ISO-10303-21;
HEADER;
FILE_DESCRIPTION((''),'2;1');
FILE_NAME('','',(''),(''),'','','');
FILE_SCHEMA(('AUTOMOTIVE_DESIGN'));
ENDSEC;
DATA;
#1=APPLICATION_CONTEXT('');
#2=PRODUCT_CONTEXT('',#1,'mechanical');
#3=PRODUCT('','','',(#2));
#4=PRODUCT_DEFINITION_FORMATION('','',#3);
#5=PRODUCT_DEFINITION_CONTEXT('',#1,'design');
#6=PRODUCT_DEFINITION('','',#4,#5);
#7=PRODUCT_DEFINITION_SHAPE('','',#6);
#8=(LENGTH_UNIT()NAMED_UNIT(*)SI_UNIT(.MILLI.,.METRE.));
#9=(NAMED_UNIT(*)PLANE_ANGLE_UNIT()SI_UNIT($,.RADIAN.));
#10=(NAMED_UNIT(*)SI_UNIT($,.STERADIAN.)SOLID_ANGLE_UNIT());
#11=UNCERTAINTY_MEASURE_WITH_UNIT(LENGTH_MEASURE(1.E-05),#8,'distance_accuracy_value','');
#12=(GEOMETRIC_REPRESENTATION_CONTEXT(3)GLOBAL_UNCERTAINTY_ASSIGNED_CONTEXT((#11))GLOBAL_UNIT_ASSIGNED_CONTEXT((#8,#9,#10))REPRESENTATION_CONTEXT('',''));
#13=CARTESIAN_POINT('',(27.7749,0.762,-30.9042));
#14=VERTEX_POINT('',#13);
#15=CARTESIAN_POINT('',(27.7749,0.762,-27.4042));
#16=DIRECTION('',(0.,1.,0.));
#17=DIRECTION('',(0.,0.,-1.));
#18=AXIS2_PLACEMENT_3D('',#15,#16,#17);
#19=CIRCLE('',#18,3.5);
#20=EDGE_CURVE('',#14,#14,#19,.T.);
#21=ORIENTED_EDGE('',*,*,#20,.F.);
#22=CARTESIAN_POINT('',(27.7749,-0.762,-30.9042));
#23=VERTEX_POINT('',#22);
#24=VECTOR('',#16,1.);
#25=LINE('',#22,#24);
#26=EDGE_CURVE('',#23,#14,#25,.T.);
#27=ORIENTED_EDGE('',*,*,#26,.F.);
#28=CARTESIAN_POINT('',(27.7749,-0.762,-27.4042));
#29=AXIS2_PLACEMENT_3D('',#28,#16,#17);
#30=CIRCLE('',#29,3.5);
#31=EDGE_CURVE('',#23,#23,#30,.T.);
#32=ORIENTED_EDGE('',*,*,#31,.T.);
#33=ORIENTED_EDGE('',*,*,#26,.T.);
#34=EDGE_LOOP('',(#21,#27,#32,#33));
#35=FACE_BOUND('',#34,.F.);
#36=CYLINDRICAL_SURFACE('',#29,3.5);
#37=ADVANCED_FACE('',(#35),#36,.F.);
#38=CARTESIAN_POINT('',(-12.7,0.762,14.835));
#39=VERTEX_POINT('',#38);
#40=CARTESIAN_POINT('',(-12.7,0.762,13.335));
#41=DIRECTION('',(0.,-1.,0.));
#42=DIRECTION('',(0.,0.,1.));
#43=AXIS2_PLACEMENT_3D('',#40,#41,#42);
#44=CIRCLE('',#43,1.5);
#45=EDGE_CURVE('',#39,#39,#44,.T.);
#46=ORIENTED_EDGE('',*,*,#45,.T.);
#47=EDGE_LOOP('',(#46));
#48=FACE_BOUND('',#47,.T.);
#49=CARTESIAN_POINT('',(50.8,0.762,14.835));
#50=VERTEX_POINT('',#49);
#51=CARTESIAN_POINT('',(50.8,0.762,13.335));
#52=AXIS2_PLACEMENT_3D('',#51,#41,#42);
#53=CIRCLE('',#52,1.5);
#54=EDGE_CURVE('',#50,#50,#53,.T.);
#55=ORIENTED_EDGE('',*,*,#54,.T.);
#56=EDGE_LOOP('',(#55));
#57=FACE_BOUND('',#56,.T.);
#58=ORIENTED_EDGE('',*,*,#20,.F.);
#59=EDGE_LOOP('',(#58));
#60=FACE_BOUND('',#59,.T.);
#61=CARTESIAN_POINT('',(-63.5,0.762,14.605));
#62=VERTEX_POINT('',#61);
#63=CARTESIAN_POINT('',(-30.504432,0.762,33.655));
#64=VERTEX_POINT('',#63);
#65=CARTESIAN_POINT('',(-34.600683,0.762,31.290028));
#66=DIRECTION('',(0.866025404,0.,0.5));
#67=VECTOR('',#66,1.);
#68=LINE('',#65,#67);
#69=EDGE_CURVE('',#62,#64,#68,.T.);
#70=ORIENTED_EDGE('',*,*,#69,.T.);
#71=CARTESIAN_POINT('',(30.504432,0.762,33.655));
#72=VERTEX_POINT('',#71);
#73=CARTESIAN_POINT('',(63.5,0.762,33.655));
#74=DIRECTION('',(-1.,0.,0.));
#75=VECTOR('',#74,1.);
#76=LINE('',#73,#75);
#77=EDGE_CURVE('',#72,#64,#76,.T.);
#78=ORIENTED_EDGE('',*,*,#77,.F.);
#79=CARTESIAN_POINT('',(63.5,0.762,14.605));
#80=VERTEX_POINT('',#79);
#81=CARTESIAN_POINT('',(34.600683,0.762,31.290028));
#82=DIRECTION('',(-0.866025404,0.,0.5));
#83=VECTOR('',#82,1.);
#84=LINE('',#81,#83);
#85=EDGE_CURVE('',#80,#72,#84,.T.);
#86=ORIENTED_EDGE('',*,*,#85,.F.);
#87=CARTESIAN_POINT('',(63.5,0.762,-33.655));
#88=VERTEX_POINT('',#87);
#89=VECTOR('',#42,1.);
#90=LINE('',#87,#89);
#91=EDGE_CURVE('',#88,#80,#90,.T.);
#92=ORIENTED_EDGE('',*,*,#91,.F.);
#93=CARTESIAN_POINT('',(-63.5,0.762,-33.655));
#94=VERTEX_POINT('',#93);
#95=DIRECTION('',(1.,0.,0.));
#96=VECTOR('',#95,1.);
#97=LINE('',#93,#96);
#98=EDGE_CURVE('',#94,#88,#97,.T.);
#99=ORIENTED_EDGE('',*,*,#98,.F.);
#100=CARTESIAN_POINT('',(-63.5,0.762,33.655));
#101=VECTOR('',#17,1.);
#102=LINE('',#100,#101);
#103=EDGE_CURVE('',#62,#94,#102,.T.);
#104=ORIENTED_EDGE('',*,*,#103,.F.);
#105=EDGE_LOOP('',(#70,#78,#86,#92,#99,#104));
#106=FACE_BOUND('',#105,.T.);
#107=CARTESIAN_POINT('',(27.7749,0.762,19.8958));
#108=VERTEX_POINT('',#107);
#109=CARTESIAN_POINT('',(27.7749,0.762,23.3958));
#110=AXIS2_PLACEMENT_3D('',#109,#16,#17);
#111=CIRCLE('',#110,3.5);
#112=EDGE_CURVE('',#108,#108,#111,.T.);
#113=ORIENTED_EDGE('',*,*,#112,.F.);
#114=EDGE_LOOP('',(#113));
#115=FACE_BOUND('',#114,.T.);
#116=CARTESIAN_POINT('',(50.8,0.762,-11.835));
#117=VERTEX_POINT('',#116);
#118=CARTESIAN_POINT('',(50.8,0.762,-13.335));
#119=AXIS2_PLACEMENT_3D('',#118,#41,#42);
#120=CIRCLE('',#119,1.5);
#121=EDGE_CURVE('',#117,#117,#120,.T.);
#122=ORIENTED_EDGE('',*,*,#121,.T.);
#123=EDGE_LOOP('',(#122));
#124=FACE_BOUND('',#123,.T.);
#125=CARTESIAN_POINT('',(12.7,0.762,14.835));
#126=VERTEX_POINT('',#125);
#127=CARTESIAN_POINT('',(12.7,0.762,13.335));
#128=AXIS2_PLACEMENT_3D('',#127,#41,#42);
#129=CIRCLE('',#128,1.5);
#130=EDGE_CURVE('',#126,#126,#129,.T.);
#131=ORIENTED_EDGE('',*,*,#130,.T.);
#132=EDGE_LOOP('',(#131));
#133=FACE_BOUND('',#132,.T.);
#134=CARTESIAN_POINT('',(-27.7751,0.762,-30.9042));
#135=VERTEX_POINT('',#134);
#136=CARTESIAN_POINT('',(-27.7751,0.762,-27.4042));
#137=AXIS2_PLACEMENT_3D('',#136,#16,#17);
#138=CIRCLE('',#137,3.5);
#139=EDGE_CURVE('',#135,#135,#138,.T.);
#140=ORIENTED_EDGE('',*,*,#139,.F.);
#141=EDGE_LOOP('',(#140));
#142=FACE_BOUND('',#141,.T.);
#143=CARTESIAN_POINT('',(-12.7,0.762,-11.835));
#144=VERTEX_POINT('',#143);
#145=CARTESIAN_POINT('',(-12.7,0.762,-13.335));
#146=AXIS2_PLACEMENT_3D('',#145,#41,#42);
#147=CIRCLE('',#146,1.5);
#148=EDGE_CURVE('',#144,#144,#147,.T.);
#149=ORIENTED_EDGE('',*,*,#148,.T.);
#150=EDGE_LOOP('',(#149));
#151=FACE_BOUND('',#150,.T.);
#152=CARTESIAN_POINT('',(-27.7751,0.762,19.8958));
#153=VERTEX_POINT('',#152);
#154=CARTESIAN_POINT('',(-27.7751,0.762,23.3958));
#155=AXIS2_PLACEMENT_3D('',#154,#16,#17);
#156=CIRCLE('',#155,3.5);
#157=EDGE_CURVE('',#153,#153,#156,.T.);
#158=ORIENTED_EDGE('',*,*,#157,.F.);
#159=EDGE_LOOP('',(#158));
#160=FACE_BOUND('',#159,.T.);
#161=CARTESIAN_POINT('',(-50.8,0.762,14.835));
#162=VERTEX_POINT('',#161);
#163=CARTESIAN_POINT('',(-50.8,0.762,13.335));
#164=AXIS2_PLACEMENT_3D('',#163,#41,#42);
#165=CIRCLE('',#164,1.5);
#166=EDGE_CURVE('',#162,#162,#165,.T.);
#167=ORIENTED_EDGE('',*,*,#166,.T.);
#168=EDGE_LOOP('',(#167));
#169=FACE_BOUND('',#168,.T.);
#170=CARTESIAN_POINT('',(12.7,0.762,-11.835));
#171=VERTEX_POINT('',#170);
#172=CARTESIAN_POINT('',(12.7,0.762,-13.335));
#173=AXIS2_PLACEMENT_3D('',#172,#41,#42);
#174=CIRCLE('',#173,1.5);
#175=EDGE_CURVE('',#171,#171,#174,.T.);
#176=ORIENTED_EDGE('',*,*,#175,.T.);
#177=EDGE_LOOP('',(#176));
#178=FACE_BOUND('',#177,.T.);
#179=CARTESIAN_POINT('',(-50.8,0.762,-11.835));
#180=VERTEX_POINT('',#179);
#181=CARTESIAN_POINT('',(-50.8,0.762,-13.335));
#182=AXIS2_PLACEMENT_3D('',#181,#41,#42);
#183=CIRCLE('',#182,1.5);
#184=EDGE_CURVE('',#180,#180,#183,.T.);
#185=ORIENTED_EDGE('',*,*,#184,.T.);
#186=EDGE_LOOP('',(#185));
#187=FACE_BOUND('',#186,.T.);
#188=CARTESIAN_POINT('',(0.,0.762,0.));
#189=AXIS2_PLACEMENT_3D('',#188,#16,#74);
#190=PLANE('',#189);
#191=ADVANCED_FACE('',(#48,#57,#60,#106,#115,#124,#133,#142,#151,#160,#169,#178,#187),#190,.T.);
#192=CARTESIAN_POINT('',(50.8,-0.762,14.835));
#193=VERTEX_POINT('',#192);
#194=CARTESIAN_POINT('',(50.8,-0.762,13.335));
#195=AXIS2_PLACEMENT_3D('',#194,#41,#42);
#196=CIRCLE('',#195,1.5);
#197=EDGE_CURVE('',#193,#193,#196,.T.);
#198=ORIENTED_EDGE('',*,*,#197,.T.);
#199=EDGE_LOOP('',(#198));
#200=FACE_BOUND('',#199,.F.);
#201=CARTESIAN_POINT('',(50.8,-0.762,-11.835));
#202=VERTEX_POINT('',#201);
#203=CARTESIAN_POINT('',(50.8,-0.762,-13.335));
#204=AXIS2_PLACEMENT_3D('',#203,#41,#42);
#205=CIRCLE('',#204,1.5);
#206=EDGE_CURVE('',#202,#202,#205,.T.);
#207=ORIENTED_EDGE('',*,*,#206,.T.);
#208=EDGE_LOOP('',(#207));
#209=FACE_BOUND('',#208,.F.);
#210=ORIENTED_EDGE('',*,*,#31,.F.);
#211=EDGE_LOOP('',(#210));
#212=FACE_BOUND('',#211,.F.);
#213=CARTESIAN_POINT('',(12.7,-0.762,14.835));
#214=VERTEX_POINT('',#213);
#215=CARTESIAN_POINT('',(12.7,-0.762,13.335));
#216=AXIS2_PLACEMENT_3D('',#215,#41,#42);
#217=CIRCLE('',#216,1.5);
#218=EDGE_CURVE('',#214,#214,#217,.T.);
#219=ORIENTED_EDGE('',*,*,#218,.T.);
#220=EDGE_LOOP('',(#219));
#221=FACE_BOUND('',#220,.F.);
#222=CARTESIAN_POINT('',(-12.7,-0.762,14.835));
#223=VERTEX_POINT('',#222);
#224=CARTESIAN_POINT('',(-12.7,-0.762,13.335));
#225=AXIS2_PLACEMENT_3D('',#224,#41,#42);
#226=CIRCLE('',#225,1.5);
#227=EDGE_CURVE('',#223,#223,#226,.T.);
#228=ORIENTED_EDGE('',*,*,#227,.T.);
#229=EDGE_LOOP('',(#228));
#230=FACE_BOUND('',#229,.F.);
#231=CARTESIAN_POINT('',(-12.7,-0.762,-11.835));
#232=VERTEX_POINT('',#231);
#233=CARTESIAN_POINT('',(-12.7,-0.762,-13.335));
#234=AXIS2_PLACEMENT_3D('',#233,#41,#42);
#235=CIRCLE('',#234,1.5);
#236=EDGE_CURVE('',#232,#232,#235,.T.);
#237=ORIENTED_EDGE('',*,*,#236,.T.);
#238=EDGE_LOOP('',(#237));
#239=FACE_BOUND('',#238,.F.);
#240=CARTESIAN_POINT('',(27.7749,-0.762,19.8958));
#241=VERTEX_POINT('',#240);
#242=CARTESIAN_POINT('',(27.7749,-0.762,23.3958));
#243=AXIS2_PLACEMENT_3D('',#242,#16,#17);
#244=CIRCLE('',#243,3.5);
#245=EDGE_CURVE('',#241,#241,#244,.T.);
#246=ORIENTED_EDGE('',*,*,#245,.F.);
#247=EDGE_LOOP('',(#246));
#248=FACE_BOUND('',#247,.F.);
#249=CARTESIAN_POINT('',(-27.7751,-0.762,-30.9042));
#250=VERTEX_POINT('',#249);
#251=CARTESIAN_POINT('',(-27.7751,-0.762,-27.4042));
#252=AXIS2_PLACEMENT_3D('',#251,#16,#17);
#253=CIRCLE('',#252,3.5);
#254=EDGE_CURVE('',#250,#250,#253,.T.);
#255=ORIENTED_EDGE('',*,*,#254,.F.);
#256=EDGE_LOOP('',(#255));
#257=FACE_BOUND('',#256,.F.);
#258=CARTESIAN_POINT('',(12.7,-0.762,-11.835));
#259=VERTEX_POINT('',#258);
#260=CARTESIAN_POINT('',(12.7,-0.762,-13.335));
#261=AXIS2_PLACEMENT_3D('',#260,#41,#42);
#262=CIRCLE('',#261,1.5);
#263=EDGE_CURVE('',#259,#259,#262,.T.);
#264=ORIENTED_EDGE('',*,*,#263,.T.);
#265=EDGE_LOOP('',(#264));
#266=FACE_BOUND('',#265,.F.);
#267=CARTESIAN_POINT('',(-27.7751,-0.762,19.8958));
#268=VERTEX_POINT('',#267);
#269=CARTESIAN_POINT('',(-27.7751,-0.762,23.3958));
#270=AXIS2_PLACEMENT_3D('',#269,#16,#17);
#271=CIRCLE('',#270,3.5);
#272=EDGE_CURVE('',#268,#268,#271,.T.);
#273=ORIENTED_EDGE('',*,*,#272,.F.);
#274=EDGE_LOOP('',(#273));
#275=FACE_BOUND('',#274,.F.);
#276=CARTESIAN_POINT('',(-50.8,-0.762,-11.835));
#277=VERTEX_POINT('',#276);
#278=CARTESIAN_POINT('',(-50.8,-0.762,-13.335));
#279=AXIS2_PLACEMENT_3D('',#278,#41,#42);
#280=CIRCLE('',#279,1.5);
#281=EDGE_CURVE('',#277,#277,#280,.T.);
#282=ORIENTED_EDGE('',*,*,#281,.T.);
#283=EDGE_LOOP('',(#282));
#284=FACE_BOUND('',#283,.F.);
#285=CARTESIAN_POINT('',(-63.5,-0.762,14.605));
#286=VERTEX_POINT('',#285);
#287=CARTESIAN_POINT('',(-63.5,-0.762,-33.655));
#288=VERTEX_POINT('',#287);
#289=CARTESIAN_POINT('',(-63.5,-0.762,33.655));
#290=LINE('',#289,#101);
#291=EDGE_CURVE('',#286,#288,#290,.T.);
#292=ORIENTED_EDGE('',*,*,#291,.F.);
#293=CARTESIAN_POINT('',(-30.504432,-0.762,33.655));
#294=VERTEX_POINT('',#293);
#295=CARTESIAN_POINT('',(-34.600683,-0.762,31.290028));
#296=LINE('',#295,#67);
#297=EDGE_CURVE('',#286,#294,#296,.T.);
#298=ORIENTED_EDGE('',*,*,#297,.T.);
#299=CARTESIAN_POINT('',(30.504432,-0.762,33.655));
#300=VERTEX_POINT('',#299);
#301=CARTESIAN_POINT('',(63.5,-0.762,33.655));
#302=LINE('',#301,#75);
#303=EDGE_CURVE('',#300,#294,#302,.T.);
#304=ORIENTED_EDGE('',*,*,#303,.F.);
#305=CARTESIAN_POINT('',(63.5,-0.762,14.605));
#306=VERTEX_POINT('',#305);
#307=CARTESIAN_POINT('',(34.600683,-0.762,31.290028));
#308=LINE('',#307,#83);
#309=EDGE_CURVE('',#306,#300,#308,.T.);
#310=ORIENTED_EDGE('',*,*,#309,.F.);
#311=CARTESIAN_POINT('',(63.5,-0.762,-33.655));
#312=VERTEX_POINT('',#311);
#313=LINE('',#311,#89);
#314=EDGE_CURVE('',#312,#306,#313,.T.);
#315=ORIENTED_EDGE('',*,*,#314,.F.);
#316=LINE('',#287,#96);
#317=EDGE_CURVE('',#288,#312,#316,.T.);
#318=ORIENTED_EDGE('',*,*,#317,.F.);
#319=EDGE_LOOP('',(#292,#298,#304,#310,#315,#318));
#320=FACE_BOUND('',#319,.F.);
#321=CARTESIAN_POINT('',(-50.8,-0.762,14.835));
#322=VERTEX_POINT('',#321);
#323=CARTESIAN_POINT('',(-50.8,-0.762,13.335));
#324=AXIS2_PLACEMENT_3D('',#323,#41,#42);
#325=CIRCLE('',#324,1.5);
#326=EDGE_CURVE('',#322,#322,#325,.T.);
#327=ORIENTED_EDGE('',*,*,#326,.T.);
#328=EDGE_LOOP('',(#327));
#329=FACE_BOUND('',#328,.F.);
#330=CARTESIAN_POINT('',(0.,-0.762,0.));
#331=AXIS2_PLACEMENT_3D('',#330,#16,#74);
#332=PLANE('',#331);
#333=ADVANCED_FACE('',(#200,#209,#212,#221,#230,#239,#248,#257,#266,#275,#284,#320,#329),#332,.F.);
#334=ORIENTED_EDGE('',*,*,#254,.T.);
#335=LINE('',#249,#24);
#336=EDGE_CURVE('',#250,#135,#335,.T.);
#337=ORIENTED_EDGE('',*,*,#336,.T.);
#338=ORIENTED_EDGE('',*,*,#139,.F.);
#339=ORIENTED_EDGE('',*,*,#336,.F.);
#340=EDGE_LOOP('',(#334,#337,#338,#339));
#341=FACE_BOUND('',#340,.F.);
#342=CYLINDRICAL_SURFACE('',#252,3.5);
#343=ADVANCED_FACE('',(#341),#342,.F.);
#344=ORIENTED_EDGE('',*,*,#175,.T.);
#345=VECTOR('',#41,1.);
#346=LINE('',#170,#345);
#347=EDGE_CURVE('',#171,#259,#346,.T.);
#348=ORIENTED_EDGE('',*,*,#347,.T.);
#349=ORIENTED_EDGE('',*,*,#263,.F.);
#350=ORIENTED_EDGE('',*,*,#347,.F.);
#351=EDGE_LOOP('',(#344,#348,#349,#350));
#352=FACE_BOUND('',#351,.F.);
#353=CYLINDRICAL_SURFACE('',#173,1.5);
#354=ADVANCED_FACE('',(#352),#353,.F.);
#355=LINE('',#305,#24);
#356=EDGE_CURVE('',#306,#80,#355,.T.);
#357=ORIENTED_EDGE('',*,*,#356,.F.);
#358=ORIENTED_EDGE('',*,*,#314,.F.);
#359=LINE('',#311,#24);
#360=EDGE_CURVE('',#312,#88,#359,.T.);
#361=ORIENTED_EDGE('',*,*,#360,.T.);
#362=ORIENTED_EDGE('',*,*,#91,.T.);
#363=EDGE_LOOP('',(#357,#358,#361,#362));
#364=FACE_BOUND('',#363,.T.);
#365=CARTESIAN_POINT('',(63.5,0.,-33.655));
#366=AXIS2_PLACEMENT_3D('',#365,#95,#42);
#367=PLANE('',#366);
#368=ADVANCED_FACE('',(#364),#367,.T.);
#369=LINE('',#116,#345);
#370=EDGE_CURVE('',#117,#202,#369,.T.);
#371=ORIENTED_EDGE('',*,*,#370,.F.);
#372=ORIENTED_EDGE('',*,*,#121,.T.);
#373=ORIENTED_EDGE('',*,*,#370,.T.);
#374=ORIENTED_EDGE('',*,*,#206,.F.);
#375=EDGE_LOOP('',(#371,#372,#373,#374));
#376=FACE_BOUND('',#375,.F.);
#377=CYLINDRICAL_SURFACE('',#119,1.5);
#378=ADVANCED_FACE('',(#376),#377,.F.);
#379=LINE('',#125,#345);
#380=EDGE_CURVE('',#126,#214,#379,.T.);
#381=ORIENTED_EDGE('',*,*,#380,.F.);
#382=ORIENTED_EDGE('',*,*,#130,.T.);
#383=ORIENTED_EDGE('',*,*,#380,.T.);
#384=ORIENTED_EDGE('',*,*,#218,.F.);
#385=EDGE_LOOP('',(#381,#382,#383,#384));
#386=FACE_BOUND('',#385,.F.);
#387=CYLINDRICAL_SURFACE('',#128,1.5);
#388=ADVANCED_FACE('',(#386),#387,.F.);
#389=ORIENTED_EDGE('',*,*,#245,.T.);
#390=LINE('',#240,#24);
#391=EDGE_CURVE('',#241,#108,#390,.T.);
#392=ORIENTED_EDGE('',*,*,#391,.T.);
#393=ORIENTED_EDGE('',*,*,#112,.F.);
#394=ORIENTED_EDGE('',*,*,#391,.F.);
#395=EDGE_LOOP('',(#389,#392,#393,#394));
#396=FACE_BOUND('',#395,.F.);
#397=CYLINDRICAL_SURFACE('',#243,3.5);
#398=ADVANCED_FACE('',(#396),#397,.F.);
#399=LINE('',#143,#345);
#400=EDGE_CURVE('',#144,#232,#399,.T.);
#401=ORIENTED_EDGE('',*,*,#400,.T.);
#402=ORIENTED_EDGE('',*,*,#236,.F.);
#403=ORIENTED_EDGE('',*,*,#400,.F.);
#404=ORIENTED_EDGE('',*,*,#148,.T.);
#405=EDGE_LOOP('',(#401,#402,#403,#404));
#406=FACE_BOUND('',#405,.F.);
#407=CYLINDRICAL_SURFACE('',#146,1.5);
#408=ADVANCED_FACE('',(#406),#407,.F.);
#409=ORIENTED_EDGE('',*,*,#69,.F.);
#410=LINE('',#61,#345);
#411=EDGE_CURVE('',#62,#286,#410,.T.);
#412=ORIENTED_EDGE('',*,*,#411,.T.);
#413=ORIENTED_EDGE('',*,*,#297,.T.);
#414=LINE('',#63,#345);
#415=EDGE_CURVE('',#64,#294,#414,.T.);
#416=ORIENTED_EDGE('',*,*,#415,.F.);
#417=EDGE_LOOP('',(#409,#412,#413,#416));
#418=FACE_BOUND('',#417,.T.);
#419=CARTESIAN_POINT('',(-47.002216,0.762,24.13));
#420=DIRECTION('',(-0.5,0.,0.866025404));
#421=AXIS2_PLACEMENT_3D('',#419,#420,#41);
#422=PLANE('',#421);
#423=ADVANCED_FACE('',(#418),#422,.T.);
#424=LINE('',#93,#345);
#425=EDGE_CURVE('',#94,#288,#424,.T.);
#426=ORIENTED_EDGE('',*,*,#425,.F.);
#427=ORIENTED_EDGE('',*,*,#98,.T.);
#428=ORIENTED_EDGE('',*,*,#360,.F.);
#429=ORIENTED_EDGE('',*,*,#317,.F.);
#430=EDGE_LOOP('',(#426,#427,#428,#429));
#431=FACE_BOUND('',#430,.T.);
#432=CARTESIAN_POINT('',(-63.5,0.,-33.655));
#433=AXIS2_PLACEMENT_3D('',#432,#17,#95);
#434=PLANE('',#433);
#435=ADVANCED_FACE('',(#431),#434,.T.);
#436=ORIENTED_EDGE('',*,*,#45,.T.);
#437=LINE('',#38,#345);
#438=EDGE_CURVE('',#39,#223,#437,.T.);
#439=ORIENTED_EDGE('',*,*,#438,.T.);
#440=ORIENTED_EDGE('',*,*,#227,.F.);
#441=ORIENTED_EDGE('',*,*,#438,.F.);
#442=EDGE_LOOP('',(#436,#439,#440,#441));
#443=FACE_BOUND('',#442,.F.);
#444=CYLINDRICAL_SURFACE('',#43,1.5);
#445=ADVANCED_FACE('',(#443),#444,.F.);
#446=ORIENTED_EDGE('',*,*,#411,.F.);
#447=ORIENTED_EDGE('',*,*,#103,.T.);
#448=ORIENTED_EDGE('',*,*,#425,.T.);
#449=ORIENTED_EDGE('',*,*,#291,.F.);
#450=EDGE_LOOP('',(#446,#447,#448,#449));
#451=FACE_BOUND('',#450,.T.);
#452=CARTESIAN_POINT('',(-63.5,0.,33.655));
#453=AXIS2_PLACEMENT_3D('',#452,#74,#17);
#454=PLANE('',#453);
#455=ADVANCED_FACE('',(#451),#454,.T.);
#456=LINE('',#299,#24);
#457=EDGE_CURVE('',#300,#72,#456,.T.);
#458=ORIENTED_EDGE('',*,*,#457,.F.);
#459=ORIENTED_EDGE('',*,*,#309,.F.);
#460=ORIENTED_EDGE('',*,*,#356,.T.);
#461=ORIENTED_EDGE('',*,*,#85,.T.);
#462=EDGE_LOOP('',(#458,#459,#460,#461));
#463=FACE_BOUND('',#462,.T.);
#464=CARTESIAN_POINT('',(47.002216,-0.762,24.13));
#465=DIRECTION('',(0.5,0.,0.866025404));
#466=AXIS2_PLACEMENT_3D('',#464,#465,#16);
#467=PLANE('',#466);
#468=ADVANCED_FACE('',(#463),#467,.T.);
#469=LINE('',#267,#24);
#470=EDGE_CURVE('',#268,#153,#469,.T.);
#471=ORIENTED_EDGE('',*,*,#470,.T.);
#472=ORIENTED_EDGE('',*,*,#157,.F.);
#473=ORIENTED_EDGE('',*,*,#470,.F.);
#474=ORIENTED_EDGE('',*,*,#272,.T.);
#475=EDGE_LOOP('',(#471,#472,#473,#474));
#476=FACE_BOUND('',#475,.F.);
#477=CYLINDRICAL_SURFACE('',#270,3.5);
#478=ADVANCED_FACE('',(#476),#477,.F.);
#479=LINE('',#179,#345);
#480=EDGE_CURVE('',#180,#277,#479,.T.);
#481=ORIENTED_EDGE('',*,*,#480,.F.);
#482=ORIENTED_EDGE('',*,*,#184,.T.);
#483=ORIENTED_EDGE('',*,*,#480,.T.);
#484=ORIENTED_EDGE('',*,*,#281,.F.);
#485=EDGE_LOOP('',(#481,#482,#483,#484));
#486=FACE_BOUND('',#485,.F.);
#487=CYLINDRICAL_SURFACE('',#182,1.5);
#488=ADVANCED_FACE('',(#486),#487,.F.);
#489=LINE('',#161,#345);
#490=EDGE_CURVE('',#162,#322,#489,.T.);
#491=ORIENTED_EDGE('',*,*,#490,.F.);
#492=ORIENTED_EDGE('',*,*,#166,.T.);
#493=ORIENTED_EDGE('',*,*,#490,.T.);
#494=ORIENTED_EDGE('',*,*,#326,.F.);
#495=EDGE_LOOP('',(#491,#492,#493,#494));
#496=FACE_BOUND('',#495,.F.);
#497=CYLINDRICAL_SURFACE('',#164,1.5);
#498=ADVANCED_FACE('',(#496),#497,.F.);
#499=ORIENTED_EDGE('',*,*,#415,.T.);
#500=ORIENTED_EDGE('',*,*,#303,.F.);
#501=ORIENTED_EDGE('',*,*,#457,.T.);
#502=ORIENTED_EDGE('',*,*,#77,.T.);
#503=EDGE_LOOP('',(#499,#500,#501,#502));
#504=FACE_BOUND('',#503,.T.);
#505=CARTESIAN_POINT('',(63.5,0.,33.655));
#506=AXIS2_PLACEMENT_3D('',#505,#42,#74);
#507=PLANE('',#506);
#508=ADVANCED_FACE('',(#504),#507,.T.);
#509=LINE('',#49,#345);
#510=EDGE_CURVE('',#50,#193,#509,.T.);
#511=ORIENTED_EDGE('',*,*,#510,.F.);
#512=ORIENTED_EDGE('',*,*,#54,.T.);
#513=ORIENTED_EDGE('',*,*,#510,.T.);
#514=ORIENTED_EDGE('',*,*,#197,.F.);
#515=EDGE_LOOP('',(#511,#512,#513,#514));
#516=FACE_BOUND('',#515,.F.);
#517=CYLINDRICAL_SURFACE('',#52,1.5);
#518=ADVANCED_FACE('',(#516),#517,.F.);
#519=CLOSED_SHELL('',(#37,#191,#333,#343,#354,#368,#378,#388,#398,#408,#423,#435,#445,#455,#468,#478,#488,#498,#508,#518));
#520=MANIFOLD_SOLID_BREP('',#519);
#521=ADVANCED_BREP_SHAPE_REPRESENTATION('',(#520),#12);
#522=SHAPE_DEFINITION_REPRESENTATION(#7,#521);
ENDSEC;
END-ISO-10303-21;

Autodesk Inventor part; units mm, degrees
ref_plane "YZ Plane" through (0, 0, 0) normal (1, 0, 0) x (0, 1, 0)
ref_plane "XZ Plane" through (0, 0, 0) normal (0, 1, 0) x (-1, 0, 0)
ref_plane "XY Plane" through (0, 0, 0) normal (0, 0, 1) x (1, 0, 0)
sketch "Sketch1" plane through (0, 0, 0) normal (0, 1, 0) x (-1, 0, 0)
  line L0 (-63.5, 33.655) -> (63.5, 33.655)
  line L1 (63.5, 33.655) -> (63.5, -33.655)
  line L2 (63.5, -33.655) -> (-63.5, -33.655)
  line L3 (-63.5, -33.655) -> (-63.5, 33.655)
  line L4 (-63.5, 33.655) -> (63.5, -33.655) construction
  line L5 (63.5, 33.655) -> (-63.5, -33.655) construction
  point P0 (0, 0)
  dimension "d0" = 127
  dimension "d1" = 67.31
extrude "Extrusion1" add sketch "Sketch1" along normal mid plane 1.524
sketch "Sketch2" plane through (0, 0.762, 0) normal (0, 1, 0) x (1, 0, 0)
  line L0 (63.5, 33.655) -> (-63.5, 33.655) projected
  line L1 (-63.5, -33.655) -> (63.5, -33.655) projected
  line L2 (-63.5, 33.655) -> (-63.5, -33.655) projected
  line L3 (63.5, -33.655) -> (63.5, 33.655) projected
  point P0 (0, 0)
  point P1 (-50.8, 13.335)
  point P2 (-12.7, 13.335)
  point P3 (12.7, 13.335)
  point P4 (50.8, 13.335)
  point P5 (50.8, -13.335)
  point P6 (12.7, -13.335)
  point P7 (-12.7, -13.335)
  point P8 (-50.8, -13.335)
  point P9 (-50.8, -33.655)
  point P10 (50.8, -33.655)
  point P11 (-63.5, -20.955)
  point P12 (63.5, -20.955)
  dimension "d5" = 20.32
  dimension "d6" = 20.32
  dimension "d7" = 12.7
  dimension "d8" = 50.8
  dimension "d9" = 12.7
  dimension "d10" = 50.8
hole "Hole1" at (-50.8, 0.762, -13.335) at (-12.7, 0.762, -13.335) at (12.7, 0.762, -13.335) at (50.8, 0.762, -13.335) at (50.8, 0.762, 13.335) at (12.7, 0.762, 13.335) at (-12.7, 0.762, 13.335) at (-50.8, 0.762, 13.335) direction (0, -1, 0) diameter 3 depth 25.4 tip angle 118
chamfer "Chamfer1" distance 19.05 angle 60 1 edges at (-63.5, 0, 33.655) measured on face at (-63.5, -0.254, 11.2183)
sketch "Sketch4" plane through (0, -0.762, 0) normal (0, -1, 0) x (1, 0, 0)
  circle A0 centre (-27.7751, -27.4042) radius 1.7018
  circle A1 centre (-27.7751, 23.3958) radius 1.7018
  circle A2 centre (27.7749, 23.3958) radius 1.7018
  circle A3 centre (27.7749, -27.4042) radius 1.7018
  point P0 (0, 0)
hole "Hole3" at (-27.7751, -0.762, -27.4042) at (-27.7751, -0.762, 23.3958) at (27.7749, -0.762, 23.3958) at (27.7749, -0.762, -27.4042) direction (0, 1, 0) diameter 7 end through all
chamfer "Chamfer2" distance 19.05 angle 60 1 edges at (63.5, 0, 33.655) measured on face at (63.5, 0.254, 11.2183)
equation "\"d6\" = d5"
equation "\"d9\" = d7"
equation "\"d10\" = d8"
properties part number "DPLX_P023 Spark Gap Shielding Bottom" material "Polyethylene, High Density"
